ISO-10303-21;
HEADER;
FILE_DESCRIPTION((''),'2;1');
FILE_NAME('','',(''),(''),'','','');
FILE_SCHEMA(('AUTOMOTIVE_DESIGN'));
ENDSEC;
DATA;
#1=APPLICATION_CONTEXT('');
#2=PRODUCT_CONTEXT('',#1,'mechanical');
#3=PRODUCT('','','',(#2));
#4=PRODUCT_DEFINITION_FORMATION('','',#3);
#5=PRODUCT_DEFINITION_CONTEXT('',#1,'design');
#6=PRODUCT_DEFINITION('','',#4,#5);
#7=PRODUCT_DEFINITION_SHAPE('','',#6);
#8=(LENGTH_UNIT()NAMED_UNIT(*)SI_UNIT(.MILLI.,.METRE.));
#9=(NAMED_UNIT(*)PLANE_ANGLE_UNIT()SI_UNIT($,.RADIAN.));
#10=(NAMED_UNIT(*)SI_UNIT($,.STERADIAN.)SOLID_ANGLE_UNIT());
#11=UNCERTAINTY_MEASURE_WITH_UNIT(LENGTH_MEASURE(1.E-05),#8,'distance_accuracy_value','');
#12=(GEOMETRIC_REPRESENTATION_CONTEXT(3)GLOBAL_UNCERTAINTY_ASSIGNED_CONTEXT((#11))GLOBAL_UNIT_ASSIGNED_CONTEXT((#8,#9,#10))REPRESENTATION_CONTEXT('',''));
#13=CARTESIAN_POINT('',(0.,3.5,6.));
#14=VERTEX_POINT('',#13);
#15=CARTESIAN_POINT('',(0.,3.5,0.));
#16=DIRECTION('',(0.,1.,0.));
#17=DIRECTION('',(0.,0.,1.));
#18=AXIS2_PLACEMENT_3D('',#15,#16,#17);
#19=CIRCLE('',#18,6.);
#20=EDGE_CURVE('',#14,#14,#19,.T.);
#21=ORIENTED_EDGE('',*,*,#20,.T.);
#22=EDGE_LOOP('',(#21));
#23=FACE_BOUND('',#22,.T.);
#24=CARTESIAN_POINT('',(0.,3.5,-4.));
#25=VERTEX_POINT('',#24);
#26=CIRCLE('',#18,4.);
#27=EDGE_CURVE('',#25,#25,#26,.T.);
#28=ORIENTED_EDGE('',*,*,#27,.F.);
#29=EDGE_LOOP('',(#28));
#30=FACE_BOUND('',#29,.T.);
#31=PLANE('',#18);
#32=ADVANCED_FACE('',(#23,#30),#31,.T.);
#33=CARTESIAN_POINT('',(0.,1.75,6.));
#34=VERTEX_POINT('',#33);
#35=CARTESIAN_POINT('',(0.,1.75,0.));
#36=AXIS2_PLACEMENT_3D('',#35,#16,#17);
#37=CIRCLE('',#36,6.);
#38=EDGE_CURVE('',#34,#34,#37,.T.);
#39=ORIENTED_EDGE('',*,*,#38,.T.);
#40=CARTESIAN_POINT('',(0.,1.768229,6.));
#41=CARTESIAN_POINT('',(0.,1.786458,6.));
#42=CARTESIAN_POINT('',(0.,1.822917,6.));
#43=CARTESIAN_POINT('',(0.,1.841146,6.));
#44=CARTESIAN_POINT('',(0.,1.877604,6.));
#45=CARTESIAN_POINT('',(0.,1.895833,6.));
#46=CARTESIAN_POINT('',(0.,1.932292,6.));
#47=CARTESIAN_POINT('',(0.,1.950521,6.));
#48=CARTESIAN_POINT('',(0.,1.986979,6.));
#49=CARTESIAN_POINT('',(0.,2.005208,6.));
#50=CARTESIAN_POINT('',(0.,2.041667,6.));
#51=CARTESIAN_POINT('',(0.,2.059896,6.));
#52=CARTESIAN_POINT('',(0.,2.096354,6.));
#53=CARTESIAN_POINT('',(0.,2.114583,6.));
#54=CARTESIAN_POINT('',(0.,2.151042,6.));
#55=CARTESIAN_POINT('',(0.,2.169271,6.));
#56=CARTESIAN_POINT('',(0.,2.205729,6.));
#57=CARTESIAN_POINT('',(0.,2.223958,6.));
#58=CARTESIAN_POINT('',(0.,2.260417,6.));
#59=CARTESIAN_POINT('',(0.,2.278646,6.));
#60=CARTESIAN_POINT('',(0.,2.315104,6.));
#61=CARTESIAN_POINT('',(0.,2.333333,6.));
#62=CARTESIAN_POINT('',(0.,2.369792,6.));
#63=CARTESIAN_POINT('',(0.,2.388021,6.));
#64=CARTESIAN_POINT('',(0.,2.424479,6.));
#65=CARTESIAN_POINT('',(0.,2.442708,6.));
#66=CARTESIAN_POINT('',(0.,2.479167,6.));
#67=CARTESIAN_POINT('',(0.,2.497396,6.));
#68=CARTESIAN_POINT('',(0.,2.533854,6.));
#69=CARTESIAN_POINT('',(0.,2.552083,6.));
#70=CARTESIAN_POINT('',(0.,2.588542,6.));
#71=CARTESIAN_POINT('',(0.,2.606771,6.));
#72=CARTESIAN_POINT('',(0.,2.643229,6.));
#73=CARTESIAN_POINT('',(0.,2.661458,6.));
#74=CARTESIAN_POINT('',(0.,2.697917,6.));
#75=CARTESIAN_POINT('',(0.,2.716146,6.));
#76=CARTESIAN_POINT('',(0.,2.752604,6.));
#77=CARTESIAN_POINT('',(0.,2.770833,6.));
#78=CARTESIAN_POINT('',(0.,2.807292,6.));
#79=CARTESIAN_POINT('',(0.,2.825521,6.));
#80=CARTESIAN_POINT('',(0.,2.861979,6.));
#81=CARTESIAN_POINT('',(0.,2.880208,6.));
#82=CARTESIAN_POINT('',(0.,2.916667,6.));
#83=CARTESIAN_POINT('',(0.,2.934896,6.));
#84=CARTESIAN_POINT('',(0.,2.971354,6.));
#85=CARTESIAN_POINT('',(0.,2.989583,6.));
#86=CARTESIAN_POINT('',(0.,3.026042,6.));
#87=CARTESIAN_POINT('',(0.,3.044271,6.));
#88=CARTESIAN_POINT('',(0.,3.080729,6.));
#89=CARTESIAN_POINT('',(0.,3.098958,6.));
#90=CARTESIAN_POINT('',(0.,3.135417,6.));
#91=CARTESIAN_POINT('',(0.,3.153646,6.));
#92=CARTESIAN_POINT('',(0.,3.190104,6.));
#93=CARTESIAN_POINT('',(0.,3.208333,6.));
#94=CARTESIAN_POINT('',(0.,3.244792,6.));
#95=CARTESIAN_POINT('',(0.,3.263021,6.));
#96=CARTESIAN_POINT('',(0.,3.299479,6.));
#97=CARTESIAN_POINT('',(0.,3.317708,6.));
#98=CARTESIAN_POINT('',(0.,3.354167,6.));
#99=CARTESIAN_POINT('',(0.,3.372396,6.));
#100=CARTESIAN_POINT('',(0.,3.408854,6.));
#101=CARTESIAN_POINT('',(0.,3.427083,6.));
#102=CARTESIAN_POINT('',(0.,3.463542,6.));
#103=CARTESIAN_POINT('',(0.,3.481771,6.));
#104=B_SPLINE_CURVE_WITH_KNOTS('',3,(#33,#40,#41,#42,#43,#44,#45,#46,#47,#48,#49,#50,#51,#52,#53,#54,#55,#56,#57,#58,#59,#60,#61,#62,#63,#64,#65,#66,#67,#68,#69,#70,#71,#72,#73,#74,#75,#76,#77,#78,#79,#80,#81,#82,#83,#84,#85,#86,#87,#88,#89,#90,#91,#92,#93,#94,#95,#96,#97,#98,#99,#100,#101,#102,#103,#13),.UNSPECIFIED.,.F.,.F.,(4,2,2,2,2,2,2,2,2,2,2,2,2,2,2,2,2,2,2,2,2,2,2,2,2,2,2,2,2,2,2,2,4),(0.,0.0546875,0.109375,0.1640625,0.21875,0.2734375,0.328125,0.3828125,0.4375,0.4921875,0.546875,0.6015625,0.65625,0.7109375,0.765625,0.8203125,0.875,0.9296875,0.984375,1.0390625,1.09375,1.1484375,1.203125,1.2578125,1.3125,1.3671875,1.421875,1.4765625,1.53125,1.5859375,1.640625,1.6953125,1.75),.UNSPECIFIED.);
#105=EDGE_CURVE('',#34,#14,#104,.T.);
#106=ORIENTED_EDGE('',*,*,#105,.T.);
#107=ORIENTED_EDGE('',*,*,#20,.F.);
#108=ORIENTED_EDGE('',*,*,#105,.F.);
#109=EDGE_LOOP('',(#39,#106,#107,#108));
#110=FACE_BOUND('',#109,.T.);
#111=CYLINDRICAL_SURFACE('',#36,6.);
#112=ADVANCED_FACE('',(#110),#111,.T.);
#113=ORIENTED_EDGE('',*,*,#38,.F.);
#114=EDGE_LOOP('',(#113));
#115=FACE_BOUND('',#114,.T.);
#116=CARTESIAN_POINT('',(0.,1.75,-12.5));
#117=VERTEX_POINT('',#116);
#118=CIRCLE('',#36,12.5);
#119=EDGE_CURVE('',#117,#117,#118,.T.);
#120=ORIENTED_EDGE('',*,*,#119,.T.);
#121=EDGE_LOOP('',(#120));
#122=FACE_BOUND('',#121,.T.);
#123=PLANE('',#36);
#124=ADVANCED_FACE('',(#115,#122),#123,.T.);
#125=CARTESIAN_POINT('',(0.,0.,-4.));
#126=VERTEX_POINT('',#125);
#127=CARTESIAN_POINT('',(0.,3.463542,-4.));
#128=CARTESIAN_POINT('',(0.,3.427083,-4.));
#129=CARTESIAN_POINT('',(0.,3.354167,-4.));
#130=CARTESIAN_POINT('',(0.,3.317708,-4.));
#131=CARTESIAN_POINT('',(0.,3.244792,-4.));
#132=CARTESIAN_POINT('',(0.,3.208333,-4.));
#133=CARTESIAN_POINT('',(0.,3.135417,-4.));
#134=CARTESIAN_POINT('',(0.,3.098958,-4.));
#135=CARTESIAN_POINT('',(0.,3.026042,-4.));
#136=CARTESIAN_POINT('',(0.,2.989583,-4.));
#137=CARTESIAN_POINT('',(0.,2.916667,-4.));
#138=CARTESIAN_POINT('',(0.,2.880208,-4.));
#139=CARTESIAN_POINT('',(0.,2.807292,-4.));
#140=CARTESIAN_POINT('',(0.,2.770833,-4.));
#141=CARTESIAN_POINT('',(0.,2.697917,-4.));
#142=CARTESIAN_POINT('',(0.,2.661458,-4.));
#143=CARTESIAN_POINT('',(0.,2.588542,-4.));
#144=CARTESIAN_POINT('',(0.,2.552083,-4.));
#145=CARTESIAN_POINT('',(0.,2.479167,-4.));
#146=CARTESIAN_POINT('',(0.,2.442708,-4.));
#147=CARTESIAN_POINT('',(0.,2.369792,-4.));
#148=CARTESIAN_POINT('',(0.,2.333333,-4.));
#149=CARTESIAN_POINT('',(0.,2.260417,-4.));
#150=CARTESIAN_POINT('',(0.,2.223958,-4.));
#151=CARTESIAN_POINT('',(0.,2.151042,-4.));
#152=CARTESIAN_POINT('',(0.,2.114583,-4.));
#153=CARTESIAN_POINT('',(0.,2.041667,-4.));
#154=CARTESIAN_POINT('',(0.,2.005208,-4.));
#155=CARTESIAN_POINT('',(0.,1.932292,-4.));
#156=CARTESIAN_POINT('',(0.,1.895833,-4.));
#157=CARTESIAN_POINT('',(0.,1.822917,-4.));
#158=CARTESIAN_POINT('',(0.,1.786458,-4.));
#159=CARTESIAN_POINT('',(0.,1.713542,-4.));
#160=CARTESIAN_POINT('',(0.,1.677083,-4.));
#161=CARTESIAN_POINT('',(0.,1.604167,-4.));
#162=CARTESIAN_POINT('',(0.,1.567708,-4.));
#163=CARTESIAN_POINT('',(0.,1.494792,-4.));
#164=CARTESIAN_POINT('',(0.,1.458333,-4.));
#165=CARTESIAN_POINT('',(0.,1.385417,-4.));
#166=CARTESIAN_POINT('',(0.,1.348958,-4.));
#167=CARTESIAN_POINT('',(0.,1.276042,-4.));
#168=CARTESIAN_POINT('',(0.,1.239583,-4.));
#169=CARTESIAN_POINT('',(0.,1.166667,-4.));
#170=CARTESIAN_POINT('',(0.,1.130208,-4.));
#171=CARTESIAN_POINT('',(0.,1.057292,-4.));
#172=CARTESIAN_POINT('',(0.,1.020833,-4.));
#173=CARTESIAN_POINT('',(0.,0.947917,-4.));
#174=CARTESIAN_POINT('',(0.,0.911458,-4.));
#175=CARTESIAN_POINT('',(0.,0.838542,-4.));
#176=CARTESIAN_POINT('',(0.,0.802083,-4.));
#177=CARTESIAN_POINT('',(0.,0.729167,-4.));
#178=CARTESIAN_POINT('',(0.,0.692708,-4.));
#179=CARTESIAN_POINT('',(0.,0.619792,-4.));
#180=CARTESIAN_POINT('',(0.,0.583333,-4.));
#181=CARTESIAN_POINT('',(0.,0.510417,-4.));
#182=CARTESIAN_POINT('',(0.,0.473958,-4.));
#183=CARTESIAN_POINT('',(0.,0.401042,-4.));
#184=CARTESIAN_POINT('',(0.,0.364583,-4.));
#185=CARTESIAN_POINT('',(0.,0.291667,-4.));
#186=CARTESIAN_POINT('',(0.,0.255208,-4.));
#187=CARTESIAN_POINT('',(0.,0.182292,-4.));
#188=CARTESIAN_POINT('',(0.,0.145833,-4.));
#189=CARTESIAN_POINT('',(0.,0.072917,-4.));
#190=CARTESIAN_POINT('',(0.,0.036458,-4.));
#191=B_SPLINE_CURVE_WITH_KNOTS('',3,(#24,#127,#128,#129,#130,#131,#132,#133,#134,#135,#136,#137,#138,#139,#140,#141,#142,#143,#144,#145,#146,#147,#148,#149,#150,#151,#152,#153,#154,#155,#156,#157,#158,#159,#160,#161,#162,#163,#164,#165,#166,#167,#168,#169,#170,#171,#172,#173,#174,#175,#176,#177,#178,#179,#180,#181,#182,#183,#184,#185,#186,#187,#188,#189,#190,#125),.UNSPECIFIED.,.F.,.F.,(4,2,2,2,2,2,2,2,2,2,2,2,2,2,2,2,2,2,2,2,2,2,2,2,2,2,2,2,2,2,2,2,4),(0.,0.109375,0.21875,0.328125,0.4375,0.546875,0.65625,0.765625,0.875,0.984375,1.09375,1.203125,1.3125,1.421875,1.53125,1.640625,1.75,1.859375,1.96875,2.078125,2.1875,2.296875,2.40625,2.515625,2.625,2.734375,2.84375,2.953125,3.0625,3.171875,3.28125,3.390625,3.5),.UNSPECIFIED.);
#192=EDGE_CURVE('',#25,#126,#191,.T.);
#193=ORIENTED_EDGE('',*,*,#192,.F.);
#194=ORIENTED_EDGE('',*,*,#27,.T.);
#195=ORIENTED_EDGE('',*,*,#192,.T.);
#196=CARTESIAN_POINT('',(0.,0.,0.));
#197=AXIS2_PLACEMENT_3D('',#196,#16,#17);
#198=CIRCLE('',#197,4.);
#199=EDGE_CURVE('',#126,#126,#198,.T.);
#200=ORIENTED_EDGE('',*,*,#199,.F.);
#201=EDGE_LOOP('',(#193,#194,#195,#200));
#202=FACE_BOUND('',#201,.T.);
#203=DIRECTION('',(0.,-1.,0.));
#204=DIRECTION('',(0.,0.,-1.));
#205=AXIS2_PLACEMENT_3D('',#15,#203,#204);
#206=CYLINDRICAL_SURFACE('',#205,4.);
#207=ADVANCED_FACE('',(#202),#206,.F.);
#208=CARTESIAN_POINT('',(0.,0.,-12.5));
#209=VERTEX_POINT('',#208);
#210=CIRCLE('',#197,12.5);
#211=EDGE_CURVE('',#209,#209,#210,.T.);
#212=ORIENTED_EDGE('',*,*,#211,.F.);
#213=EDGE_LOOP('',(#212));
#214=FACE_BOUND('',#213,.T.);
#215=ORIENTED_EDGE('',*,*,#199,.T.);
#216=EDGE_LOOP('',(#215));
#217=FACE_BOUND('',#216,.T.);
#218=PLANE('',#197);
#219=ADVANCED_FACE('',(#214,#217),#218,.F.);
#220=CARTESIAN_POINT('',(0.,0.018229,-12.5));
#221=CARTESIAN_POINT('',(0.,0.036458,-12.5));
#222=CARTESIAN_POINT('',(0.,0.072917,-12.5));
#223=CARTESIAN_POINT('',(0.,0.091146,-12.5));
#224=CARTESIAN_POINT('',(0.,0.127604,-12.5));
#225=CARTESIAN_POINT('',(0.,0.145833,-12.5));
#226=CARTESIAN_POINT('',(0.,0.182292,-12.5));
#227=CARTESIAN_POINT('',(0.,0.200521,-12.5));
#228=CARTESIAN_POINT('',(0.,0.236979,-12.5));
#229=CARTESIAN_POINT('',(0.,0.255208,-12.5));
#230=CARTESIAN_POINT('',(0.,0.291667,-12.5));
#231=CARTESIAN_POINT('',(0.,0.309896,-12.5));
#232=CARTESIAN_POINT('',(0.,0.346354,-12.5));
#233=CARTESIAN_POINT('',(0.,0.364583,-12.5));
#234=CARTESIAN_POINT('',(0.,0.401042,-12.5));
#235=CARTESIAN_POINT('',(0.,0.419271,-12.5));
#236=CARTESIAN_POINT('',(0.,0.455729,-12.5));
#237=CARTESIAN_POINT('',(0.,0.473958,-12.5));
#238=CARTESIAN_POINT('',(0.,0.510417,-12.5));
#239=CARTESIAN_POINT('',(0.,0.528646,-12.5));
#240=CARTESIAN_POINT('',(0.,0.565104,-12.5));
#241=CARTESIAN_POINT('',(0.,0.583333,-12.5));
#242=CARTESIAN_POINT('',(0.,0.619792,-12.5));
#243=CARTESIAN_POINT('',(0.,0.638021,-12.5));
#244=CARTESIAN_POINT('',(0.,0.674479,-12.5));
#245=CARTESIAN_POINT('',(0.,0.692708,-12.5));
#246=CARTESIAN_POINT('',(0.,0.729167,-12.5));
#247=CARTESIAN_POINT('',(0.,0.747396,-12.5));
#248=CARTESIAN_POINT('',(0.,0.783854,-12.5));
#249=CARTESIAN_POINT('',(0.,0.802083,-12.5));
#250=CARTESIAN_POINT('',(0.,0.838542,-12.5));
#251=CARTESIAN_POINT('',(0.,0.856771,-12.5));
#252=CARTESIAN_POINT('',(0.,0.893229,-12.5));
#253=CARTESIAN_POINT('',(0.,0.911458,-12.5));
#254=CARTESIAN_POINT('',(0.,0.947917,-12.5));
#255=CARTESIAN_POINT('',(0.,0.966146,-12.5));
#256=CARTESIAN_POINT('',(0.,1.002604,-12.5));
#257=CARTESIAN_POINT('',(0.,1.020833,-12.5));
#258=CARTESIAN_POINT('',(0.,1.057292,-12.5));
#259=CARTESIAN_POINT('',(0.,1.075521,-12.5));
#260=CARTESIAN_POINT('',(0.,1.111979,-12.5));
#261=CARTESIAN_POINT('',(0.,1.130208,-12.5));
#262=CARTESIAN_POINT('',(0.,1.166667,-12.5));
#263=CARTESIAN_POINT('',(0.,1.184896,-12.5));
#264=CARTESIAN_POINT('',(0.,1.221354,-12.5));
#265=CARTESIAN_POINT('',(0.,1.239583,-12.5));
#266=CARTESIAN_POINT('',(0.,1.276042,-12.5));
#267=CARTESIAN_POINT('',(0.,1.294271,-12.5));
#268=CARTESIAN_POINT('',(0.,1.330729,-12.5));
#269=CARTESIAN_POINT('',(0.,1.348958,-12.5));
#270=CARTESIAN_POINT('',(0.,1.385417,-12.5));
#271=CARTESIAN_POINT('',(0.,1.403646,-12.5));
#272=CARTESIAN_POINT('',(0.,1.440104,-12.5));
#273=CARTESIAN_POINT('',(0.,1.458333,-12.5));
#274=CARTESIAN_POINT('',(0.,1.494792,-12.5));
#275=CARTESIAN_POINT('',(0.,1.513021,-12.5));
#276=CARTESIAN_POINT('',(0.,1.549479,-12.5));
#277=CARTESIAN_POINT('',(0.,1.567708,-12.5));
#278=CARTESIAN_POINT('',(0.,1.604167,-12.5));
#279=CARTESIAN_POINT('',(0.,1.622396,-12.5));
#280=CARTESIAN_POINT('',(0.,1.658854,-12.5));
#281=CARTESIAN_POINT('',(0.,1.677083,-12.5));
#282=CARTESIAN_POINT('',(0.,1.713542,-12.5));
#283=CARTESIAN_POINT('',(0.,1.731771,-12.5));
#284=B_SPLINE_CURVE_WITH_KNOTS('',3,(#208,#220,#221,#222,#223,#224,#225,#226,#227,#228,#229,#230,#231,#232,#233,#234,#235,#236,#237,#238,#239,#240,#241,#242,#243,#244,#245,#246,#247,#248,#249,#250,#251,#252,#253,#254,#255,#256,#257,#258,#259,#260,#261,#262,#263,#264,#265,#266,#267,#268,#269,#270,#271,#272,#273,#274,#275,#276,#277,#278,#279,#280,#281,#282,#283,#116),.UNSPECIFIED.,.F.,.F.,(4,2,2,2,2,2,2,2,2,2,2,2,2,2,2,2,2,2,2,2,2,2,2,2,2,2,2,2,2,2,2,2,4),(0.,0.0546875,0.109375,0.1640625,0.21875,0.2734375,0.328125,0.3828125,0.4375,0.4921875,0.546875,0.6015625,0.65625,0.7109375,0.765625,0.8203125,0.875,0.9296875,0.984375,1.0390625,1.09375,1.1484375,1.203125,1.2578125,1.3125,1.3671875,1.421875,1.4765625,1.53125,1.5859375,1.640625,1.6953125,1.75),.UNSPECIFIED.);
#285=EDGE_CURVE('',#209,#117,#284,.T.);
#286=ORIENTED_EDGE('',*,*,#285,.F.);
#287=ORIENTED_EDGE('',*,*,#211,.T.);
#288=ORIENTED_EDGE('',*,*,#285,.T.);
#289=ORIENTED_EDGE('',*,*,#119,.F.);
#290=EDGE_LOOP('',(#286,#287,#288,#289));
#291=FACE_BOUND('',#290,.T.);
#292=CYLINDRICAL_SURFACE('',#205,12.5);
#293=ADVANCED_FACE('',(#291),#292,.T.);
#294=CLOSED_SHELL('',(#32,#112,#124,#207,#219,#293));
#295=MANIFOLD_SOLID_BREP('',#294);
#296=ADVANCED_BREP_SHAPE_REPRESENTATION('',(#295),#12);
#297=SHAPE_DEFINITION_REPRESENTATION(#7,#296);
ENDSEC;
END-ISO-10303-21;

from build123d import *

# Parameters (mm, degrees)
SKETCH1_R           = 12.5
SKETCH1_R_2         = 4
BOSS_EXTRUDE1_DEPTH = 3.5
CUT_EXTRUDE1_START  = -1.75
SKETCH3_R           = 12.5
SKETCH3_R_2         = 6
CUT_EXTRUDE1_DEPTH  = 1.75


with BuildPart() as part:
    # Sketch1 → Boss-Extrude1 (new body)
    with BuildSketch(Plane(origin=(0, 0, 0), x_dir=(1, 0, 0), z_dir=(0, 1, 0))):
        with Locations(Location((0, 0, 0), (0, 0, 90))):
            Circle(SKETCH1_R)
        with Locations(Location((0, 0, 0), (0, 0, 90))):
            Circle(SKETCH1_R_2, mode=Mode.SUBTRACT)
    extrude(amount=BOSS_EXTRUDE1_DEPTH)

    # Sketch3 → Cut-Extrude1 (cut)
    with BuildSketch(Plane(origin=(0, 3.5, 0), x_dir=(1, 0, 0), z_dir=(0, 1, 0)).offset(CUT_EXTRUDE1_START)):
        with Locations(Location((0, 0, 0), (0, 0, 90))):
            Circle(SKETCH3_R)
        with Locations(Location((0, 0, 0), (0, 0, 270))):
            Circle(SKETCH3_R_2, mode=Mode.SUBTRACT)
    extrude(amount=CUT_EXTRUDE1_DEPTH, mode=Mode.SUBTRACT)


solid = part.part
